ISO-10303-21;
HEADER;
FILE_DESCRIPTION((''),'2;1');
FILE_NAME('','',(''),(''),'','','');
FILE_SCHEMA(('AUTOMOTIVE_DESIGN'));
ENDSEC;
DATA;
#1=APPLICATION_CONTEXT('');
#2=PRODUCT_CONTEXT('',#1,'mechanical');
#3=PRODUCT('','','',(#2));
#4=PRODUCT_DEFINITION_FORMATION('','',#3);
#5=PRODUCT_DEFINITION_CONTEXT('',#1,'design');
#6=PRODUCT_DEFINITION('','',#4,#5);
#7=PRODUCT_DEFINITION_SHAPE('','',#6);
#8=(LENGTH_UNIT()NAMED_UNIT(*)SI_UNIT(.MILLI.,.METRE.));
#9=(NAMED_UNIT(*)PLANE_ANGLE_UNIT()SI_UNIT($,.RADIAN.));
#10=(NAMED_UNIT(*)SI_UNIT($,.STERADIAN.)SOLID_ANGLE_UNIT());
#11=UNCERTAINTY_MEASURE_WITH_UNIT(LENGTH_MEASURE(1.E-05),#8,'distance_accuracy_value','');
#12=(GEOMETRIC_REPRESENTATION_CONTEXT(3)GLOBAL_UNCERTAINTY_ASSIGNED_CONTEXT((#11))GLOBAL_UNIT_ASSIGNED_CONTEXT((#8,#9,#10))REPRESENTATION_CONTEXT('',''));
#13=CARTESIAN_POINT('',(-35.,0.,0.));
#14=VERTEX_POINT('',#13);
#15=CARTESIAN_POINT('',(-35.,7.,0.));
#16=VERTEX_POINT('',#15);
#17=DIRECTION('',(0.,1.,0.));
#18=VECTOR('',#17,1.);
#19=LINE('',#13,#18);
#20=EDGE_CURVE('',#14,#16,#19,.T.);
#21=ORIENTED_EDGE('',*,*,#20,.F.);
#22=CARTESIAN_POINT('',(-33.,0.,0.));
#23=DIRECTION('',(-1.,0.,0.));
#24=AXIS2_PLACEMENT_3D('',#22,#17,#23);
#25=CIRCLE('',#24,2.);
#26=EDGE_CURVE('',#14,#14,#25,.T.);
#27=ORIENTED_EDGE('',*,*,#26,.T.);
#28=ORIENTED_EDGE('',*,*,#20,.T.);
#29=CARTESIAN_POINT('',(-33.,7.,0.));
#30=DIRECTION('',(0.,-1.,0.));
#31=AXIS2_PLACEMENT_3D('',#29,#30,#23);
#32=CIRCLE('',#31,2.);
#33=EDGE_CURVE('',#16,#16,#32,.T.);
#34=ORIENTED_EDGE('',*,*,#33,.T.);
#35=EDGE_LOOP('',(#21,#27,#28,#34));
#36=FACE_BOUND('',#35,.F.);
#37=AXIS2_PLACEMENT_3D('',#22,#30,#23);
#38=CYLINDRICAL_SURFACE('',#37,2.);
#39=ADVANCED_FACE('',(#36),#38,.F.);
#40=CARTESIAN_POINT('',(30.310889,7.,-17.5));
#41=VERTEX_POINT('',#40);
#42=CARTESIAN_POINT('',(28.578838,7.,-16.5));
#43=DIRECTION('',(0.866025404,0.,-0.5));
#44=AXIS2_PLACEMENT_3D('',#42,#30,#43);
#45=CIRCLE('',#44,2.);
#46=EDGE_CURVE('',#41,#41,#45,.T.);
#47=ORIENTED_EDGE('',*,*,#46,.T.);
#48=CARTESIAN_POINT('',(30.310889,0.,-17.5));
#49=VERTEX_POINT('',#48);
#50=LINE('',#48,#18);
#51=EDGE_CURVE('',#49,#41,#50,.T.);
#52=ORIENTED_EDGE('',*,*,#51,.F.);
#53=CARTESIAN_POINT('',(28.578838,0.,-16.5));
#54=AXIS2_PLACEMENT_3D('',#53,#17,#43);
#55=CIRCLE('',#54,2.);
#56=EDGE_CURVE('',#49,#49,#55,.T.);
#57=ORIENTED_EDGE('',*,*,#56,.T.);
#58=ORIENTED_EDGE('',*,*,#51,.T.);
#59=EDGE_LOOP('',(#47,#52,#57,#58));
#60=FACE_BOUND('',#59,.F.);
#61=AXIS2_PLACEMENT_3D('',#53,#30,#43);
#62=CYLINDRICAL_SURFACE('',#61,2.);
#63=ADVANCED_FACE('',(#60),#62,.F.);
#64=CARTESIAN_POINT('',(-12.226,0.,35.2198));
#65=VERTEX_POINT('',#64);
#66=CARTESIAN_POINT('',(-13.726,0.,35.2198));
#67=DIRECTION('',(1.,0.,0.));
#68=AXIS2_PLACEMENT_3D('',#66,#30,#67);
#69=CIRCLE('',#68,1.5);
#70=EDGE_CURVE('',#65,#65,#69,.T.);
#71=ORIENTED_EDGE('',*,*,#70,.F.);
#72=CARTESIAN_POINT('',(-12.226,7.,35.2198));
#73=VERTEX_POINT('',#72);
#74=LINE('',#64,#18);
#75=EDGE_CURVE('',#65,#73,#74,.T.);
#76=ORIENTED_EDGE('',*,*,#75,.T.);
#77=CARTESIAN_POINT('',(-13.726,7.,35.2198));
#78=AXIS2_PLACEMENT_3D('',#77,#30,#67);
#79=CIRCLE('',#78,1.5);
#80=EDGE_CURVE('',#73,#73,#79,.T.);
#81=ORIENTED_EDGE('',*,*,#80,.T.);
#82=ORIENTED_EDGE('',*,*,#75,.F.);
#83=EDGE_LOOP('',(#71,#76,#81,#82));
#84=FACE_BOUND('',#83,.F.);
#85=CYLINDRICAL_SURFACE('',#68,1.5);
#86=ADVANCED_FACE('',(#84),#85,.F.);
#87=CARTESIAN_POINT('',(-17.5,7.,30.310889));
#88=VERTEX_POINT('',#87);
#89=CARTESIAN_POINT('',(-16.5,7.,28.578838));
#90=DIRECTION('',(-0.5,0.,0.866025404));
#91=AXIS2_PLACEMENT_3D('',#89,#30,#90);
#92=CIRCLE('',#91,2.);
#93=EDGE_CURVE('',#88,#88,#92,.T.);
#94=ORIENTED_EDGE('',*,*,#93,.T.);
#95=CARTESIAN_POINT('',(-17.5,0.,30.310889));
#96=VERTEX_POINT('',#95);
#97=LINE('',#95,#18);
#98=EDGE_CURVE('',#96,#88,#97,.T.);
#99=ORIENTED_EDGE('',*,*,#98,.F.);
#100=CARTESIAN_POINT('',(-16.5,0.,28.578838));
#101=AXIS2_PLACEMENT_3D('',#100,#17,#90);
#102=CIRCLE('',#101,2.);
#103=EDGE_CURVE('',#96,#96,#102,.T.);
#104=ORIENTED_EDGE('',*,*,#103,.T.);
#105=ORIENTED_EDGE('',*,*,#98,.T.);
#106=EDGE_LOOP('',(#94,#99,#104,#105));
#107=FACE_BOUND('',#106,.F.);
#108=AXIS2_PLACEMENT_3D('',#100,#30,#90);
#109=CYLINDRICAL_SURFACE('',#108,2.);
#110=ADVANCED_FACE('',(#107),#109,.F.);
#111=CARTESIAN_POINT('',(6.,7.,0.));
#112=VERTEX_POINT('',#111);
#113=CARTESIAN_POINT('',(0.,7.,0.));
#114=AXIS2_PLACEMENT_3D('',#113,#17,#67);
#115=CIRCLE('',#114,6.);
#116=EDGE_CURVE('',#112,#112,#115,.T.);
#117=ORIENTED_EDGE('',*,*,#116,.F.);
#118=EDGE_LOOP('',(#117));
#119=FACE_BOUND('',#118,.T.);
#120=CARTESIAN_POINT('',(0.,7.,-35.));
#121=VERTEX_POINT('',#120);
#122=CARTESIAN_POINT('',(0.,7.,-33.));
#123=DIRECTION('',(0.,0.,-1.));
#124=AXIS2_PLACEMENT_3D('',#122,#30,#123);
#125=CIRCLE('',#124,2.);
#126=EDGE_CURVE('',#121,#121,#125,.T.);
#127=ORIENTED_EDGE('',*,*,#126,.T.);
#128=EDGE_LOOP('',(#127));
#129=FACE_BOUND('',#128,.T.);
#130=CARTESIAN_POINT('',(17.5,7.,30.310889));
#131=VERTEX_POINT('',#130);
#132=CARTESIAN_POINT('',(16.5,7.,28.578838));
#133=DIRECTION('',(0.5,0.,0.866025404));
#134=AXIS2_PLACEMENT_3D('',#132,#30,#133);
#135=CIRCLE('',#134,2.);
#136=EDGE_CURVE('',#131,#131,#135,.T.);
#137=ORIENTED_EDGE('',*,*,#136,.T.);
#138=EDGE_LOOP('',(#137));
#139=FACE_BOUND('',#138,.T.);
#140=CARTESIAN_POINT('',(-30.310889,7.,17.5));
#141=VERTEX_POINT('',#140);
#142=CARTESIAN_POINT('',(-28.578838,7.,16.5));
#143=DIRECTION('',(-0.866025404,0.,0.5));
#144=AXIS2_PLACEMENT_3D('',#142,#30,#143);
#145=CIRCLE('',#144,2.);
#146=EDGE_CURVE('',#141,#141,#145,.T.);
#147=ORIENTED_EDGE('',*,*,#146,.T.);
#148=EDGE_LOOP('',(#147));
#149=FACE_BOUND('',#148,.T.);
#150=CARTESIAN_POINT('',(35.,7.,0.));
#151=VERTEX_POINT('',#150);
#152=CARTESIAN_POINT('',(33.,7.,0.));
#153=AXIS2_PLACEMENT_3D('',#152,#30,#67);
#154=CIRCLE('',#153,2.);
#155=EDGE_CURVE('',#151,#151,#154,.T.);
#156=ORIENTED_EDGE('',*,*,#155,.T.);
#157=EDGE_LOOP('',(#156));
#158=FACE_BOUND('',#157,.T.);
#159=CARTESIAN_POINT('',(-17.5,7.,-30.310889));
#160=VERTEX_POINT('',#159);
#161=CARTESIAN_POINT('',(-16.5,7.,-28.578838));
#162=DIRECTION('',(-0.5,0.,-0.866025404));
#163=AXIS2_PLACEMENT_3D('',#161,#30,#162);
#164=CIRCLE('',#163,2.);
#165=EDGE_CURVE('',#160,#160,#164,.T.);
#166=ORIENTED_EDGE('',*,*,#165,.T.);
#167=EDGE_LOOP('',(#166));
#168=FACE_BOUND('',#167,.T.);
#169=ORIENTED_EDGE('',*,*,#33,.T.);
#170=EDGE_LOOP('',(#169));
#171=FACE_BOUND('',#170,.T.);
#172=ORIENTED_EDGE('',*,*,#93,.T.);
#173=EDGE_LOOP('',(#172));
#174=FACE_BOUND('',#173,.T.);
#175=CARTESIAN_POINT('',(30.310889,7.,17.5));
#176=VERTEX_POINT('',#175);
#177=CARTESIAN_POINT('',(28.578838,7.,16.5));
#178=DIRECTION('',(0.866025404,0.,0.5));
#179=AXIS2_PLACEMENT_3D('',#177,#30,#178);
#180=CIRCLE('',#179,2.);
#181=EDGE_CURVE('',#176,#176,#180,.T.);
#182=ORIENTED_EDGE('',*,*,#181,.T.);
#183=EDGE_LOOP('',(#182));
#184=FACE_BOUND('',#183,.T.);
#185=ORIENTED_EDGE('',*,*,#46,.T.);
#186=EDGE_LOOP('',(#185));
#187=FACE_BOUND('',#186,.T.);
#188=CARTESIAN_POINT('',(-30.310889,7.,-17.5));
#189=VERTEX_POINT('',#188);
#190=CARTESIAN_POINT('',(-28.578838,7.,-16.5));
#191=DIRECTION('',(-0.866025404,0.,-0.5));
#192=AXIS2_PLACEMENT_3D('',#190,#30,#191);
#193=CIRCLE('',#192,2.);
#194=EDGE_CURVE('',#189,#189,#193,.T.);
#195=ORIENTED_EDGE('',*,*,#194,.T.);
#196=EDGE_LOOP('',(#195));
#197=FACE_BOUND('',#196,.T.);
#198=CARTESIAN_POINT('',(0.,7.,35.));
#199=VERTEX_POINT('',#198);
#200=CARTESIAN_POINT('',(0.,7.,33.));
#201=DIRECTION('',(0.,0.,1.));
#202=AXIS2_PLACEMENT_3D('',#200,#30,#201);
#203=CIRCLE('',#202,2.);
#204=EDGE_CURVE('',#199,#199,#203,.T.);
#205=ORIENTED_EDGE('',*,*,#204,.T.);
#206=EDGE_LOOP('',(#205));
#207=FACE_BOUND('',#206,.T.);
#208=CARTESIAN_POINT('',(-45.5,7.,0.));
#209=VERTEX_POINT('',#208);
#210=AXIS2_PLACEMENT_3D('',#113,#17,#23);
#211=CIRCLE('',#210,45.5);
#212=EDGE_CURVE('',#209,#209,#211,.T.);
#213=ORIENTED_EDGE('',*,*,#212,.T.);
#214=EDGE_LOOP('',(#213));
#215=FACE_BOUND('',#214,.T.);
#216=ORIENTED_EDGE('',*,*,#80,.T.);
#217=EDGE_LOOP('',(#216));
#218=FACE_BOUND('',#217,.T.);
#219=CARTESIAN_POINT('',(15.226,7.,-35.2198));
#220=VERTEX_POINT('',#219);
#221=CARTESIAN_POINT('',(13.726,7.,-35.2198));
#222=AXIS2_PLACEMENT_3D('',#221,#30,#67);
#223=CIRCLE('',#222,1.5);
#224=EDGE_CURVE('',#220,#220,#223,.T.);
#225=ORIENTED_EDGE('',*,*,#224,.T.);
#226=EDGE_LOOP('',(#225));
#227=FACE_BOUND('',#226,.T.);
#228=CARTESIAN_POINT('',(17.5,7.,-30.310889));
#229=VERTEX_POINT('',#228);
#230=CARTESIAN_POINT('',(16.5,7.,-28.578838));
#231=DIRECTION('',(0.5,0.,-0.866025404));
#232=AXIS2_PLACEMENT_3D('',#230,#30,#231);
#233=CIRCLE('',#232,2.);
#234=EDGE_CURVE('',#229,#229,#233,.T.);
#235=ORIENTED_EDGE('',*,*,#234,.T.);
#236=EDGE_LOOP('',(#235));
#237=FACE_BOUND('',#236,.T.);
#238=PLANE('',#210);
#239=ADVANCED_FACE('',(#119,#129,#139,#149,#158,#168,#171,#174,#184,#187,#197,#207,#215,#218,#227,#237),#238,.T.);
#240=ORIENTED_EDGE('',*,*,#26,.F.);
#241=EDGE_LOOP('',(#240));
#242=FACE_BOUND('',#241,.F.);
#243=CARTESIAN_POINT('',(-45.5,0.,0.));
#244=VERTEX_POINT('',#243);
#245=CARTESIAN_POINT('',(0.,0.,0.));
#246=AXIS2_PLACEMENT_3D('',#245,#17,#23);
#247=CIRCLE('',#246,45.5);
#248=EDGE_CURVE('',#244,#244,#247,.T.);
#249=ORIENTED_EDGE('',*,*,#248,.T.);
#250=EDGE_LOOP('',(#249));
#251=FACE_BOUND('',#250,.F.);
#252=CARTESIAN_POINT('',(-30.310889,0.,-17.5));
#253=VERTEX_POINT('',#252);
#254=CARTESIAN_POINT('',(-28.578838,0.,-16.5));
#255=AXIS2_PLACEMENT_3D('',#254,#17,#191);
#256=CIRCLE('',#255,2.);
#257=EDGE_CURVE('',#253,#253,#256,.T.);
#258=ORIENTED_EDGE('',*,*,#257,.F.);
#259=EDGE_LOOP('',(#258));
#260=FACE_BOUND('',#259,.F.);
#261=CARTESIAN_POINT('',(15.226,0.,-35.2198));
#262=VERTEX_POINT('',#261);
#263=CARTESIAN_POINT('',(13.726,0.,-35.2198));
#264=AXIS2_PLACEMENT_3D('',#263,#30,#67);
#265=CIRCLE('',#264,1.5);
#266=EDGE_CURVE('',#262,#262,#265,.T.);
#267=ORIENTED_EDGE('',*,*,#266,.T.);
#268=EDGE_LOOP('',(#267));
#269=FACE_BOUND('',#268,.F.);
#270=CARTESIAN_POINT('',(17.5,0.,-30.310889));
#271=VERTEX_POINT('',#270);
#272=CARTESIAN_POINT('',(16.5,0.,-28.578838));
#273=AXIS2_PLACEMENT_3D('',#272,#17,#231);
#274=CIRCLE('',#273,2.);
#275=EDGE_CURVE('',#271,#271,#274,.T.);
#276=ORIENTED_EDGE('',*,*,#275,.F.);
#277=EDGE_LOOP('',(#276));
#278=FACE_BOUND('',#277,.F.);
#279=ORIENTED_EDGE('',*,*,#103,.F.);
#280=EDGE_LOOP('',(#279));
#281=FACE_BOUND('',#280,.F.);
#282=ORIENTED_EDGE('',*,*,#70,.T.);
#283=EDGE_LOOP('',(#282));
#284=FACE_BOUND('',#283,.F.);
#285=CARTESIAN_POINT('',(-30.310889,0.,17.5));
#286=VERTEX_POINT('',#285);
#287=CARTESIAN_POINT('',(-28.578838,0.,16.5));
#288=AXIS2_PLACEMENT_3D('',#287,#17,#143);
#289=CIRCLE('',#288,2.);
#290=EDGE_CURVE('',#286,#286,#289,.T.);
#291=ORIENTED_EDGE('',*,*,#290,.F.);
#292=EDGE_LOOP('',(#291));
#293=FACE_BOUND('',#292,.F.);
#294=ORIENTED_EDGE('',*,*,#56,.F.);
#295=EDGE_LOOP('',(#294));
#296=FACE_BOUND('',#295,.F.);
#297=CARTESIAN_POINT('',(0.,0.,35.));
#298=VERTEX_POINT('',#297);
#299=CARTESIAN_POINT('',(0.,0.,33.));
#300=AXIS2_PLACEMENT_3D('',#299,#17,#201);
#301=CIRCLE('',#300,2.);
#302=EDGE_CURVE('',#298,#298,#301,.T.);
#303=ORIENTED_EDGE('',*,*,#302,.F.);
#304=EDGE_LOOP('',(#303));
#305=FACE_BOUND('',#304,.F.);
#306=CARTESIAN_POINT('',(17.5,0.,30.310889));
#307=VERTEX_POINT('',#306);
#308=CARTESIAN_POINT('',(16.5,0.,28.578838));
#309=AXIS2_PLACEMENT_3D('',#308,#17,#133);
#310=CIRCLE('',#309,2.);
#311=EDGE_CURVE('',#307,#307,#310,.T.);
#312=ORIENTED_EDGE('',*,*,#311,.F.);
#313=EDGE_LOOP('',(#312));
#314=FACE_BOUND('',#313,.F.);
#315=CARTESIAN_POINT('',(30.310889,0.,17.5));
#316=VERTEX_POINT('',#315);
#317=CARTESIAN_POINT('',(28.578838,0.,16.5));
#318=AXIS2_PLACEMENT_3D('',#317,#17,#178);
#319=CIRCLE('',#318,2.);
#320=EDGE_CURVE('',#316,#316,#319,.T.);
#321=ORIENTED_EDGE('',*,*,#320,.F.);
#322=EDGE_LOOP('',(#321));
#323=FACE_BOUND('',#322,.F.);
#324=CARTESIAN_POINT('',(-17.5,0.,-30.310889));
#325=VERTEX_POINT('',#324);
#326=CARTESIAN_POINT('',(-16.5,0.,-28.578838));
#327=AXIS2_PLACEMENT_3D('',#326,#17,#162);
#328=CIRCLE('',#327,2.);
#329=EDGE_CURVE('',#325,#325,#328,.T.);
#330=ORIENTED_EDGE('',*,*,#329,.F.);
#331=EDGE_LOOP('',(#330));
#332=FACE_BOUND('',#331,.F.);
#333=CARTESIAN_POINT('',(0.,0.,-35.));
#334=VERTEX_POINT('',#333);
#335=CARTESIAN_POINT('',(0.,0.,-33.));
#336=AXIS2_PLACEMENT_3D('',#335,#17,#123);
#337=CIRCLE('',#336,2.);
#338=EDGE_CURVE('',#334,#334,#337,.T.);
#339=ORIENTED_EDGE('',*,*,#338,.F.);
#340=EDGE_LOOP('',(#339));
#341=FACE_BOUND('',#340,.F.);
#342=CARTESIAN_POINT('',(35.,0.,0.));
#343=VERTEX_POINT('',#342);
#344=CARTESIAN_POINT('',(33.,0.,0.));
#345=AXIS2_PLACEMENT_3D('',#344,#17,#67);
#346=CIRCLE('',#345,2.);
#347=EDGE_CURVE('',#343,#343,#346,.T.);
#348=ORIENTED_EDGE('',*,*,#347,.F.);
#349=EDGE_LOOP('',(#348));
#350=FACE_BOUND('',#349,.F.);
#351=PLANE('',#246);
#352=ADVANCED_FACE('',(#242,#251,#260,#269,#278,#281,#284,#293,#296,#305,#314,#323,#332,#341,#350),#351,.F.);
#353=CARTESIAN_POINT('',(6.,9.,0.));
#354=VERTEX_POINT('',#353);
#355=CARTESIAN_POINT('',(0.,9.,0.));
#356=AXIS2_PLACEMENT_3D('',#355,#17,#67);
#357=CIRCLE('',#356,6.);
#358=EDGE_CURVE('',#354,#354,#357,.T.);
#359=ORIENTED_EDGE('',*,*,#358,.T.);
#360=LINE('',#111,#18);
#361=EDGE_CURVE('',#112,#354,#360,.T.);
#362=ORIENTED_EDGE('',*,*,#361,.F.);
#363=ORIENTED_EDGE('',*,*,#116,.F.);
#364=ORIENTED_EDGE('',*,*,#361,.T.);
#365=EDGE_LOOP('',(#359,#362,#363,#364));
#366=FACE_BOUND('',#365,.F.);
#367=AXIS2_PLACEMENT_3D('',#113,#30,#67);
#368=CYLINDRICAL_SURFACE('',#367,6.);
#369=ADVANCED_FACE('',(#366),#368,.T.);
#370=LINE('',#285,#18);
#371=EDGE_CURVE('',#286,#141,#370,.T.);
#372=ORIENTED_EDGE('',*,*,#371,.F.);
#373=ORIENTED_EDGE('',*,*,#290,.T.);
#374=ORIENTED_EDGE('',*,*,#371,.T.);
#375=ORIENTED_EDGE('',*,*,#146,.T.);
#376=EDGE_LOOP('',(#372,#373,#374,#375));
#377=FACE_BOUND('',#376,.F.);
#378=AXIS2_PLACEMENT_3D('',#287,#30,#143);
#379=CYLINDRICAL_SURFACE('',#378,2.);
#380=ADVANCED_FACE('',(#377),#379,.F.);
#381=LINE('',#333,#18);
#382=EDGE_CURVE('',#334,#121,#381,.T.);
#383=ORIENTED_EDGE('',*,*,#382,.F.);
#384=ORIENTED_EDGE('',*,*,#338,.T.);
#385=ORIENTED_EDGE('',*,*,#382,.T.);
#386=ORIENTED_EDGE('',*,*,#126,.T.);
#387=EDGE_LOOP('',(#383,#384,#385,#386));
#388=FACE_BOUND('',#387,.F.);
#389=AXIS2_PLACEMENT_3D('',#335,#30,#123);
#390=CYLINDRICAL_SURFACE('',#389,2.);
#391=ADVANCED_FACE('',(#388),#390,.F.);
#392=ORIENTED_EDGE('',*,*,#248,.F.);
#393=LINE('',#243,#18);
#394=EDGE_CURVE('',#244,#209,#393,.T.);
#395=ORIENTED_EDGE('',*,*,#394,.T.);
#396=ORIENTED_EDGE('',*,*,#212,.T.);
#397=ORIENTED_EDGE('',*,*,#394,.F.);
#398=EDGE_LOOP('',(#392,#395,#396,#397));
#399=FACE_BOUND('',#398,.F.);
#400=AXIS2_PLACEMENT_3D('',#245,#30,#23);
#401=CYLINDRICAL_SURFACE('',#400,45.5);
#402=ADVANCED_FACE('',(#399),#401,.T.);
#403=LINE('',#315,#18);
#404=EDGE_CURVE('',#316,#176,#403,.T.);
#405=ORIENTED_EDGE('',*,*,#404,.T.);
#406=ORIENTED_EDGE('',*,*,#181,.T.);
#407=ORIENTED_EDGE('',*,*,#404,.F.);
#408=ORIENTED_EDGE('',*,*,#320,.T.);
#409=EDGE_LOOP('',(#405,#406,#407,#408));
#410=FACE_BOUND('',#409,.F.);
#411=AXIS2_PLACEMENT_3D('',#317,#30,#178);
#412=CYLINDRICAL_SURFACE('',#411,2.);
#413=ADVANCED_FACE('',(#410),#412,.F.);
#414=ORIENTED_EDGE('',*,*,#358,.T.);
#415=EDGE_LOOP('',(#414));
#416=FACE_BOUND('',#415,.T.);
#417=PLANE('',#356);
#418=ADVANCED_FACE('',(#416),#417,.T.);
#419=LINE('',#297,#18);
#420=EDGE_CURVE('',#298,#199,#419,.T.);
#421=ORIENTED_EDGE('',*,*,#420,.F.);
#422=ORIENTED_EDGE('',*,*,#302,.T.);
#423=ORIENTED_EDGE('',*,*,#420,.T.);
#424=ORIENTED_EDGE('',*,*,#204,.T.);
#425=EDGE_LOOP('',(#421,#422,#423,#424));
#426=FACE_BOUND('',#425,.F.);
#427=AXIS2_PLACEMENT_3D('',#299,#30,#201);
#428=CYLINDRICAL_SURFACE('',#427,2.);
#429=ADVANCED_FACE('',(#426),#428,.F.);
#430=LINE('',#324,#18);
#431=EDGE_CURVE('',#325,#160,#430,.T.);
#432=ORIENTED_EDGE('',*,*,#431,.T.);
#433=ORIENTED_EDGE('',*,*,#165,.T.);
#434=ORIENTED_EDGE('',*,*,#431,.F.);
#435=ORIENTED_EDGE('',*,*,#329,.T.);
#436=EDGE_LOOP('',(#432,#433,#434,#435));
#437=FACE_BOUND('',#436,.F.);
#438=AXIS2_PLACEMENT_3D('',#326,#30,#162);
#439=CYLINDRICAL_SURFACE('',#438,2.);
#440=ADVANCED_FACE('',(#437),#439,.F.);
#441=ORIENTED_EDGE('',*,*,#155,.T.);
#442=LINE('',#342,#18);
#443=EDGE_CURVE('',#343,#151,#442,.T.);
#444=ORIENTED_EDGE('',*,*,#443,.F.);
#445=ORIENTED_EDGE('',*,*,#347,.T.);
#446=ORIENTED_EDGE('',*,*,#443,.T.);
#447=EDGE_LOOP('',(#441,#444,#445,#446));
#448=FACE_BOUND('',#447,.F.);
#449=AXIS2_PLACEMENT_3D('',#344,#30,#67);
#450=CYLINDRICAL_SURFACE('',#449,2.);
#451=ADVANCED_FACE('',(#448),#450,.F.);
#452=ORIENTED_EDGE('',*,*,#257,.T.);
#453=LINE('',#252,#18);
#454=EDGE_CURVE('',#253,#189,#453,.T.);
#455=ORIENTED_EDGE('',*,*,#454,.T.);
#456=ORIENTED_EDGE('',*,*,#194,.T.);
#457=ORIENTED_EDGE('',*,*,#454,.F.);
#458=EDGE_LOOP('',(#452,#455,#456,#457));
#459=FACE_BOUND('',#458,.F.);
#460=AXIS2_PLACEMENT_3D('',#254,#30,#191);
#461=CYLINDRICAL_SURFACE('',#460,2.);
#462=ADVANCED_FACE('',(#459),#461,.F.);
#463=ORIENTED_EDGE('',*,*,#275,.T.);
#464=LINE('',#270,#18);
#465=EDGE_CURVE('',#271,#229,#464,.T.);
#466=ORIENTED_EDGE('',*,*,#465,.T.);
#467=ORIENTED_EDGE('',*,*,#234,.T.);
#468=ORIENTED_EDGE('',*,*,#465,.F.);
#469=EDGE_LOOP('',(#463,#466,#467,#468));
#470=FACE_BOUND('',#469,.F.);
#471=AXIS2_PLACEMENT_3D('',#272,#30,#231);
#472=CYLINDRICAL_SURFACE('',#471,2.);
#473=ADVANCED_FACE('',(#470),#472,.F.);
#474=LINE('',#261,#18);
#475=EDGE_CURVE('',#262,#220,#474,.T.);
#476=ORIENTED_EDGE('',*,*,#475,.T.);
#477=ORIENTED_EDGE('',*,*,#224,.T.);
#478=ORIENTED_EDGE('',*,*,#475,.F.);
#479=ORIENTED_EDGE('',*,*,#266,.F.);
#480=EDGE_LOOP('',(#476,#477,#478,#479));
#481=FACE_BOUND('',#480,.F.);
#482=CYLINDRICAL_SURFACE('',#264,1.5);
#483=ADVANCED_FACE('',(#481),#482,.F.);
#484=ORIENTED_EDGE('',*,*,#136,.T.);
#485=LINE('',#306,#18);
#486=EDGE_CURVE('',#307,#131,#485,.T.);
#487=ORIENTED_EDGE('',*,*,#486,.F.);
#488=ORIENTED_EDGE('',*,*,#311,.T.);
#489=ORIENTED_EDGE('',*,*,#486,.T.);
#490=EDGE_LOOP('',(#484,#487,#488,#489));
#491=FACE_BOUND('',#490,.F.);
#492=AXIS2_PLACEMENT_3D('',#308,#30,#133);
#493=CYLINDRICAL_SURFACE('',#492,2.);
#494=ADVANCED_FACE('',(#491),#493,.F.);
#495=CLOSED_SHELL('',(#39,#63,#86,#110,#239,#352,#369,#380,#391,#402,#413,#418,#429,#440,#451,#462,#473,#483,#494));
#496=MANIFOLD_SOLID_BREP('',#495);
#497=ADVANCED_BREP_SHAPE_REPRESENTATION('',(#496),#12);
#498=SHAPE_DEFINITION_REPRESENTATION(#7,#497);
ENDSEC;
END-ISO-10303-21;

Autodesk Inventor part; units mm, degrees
ref_plane "YZ Plane" through (0, 0, 0) normal (1, 0, 0) x (0, 1, 0)
ref_plane "XZ Plane" through (0, 0, 0) normal (0, 1, 0) x (-1, 0, 0)
ref_plane "XY Plane" through (0, 0, 0) normal (0, 0, 1) x (1, 0, 0)
sketch "Sketch1" plane through (0, 0, 0) normal (0, 1, 0) x (-1, 0, 0)
  circle A0 centre (0, 0) radius 45.5
  dimension "d0" = 91
extrude "Extrusion1" add sketch "Sketch1" along normal blind 7
sketch "Sketch5" plane through (0, 7, 0) normal (0, 1, 0) x (1, 0, 0)
  circle A0 centre (0, 0) radius 6
  dimension "d27" = 12
extrude "Extrusion5" add sketch "Sketch5" along normal blind 2
sketch "Sketch7" plane through (0, 0, 0) normal (0, -1, 0) x (1, 0, 0)
  circle A0 centre (0, 0) radius 45.5 projected
  line L0 (0, 0) -> (33, 0)
  circle A1 centre (33, 0) radius 2
  dimension "d37" = 4
  dimension "d38" = 33
extrude "Extrusion7" cut sketch "Sketch7" against normal blind 10 contours A1
pattern_circular "Circular Pattern1" count 12 over 360 about axis through (0, 0, 0) along (0, -1, 0) of "Extrusion7"
sketch "Sketch8" plane through (0, 0, 0) normal (0, -1, 0) x (1, 0, 0)
  circle A0 centre (-13.726, 35.2198) radius 1.5
  circle A1 centre (13.726, -35.2198) radius 1.5
  circle A2 centre (-16.5, 28.5788) radius 2 projected
  line L0 (-13.726, 35.2198) -> (13.726, -35.2198) construction
  point P0 (0, 0)
  point P1 (0, 0)
  dimension "d46" = 3
  dimension "d48" = 3
  dimension "d51" = 6.641
  dimension "d52" = 75.6
extrude "Extrusion8" cut sketch "Sketch8" against normal blind 10 contours A0 | A1
properties part number "bay container 12 bottom"
